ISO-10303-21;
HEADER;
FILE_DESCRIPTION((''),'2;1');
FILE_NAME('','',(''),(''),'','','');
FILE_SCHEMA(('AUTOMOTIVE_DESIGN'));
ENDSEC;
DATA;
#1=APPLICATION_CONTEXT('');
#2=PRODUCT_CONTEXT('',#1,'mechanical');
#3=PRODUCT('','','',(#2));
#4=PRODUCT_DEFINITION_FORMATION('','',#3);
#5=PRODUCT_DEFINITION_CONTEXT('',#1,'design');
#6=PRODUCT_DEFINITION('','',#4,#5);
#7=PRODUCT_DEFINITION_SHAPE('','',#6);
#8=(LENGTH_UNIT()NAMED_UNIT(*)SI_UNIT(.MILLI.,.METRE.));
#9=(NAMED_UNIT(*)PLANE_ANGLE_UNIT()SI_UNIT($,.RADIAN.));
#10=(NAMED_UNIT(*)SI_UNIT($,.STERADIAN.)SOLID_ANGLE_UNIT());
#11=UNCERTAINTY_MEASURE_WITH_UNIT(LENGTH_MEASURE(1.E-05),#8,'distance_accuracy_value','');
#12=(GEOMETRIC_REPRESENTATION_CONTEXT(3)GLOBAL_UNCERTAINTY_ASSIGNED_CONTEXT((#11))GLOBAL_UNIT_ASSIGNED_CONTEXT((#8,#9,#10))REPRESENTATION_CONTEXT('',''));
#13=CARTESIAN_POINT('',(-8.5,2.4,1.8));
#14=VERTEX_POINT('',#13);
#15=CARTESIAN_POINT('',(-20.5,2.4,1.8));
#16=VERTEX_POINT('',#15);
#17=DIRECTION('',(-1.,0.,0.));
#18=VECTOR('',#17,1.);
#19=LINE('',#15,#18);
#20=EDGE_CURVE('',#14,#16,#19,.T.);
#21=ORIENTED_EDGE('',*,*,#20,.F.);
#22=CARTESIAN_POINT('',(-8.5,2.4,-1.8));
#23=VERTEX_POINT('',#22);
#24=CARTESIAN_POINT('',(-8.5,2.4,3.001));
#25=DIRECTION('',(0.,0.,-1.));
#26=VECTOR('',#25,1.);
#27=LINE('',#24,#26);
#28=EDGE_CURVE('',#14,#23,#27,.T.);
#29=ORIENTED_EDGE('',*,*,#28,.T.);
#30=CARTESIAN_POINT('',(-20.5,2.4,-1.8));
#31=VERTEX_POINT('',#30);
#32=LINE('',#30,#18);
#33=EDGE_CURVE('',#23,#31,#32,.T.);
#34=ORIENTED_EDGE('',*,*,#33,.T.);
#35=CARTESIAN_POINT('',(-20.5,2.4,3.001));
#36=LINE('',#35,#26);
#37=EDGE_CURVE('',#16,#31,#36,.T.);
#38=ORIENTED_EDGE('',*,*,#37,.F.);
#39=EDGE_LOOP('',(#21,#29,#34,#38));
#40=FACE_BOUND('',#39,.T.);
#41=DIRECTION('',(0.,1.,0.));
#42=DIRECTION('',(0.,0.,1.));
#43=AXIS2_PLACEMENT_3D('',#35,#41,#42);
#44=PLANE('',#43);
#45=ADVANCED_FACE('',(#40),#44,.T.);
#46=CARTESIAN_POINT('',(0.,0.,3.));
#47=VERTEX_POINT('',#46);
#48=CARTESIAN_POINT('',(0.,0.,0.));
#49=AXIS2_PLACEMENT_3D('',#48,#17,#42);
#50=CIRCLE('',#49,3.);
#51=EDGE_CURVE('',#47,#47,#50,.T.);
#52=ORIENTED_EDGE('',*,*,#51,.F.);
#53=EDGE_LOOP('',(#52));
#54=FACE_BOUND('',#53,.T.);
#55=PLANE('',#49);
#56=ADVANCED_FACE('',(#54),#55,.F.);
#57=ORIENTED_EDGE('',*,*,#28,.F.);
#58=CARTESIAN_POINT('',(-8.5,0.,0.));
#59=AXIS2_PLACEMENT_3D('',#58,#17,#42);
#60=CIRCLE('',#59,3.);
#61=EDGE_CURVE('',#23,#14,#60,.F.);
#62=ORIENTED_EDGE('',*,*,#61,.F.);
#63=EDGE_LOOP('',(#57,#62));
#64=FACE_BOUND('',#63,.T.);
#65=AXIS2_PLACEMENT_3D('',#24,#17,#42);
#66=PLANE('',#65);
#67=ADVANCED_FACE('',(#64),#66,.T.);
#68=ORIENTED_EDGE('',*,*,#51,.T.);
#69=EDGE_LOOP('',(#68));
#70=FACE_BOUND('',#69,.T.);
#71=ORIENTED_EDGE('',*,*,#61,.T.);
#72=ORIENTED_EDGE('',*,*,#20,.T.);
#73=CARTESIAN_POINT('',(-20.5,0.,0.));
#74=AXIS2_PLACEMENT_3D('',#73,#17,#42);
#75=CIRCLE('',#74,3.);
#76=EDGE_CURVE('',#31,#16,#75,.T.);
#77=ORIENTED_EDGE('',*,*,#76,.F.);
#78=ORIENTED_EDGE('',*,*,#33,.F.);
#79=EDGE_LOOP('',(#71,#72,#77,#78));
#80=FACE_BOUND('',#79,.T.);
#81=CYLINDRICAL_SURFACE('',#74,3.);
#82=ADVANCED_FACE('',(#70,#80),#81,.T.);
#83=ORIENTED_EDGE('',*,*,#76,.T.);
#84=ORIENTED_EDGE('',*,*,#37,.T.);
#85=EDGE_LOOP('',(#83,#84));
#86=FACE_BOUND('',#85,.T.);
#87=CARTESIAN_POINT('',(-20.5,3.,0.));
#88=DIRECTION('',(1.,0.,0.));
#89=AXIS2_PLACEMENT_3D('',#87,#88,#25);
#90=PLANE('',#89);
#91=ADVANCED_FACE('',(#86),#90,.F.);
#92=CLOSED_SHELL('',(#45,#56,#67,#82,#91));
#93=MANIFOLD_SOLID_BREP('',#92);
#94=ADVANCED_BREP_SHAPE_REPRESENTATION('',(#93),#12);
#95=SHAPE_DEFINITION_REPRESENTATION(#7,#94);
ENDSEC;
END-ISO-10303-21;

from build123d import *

# Parameters (mm, degrees)
SKETCH1_W                      = 20.5
SKETCH1_H                      = 3
CUT_EXTRUDE1_REACH             = 22.934
SKETCH2_W                      = 12
SKETCH2_H                      = 2
CUT_EXTRUDE1_DIRECTION_2_REACH = 22.934


with BuildPart() as part:
    # Sketch1 → Revolve1 (revolve)
    with BuildSketch(Plane.XY, mode=Mode.PRIVATE) as revolve1_sk:
        with Locations((-10.25, 1.5)):
            Rectangle(SKETCH1_W, SKETCH1_H)
    revolve(revolve1_sk.sketch.rotate(Axis((-20.5, 0, 0), (1, 0, 0)), 90), axis=Axis((-20.5, 0, 0), (1, 0, 0)))

    # Sketch2 → Cut-Extrude1 (cut, up to next)
    with BuildSketch(Plane.XY, mode=Mode.PRIVATE) as cut_extrude1_sk1:
        with Locations((-14.5, 3.4)):
            Rectangle(SKETCH2_W, SKETCH2_H)
    cut_extrude1_tool1 = extrude(cut_extrude1_sk1.sketch, amount=-CUT_EXTRUDE1_REACH, mode=Mode.PRIVATE) & part.part
    add(cut_extrude1_tool1.solids().sort_by_distance((-14.5, 3.4, 0))[0], mode=Mode.SUBTRACT)

    # Sketch2 → Cut-Extrude1 direction 2 (cut, up to next)
    with BuildSketch(Plane.XY, mode=Mode.PRIVATE) as cut_extrude1_direction_2_sk1:
        with Locations((-14.5, 3.4)):
            Rectangle(SKETCH2_W, SKETCH2_H)
    cut_extrude1_direction_2_tool1 = extrude(cut_extrude1_direction_2_sk1.sketch, amount=CUT_EXTRUDE1_DIRECTION_2_REACH, mode=Mode.PRIVATE) & part.part
    add(cut_extrude1_direction_2_tool1.solids().sort_by_distance((-14.5, 3.4, 0))[0], mode=Mode.SUBTRACT)


solid = part.part
